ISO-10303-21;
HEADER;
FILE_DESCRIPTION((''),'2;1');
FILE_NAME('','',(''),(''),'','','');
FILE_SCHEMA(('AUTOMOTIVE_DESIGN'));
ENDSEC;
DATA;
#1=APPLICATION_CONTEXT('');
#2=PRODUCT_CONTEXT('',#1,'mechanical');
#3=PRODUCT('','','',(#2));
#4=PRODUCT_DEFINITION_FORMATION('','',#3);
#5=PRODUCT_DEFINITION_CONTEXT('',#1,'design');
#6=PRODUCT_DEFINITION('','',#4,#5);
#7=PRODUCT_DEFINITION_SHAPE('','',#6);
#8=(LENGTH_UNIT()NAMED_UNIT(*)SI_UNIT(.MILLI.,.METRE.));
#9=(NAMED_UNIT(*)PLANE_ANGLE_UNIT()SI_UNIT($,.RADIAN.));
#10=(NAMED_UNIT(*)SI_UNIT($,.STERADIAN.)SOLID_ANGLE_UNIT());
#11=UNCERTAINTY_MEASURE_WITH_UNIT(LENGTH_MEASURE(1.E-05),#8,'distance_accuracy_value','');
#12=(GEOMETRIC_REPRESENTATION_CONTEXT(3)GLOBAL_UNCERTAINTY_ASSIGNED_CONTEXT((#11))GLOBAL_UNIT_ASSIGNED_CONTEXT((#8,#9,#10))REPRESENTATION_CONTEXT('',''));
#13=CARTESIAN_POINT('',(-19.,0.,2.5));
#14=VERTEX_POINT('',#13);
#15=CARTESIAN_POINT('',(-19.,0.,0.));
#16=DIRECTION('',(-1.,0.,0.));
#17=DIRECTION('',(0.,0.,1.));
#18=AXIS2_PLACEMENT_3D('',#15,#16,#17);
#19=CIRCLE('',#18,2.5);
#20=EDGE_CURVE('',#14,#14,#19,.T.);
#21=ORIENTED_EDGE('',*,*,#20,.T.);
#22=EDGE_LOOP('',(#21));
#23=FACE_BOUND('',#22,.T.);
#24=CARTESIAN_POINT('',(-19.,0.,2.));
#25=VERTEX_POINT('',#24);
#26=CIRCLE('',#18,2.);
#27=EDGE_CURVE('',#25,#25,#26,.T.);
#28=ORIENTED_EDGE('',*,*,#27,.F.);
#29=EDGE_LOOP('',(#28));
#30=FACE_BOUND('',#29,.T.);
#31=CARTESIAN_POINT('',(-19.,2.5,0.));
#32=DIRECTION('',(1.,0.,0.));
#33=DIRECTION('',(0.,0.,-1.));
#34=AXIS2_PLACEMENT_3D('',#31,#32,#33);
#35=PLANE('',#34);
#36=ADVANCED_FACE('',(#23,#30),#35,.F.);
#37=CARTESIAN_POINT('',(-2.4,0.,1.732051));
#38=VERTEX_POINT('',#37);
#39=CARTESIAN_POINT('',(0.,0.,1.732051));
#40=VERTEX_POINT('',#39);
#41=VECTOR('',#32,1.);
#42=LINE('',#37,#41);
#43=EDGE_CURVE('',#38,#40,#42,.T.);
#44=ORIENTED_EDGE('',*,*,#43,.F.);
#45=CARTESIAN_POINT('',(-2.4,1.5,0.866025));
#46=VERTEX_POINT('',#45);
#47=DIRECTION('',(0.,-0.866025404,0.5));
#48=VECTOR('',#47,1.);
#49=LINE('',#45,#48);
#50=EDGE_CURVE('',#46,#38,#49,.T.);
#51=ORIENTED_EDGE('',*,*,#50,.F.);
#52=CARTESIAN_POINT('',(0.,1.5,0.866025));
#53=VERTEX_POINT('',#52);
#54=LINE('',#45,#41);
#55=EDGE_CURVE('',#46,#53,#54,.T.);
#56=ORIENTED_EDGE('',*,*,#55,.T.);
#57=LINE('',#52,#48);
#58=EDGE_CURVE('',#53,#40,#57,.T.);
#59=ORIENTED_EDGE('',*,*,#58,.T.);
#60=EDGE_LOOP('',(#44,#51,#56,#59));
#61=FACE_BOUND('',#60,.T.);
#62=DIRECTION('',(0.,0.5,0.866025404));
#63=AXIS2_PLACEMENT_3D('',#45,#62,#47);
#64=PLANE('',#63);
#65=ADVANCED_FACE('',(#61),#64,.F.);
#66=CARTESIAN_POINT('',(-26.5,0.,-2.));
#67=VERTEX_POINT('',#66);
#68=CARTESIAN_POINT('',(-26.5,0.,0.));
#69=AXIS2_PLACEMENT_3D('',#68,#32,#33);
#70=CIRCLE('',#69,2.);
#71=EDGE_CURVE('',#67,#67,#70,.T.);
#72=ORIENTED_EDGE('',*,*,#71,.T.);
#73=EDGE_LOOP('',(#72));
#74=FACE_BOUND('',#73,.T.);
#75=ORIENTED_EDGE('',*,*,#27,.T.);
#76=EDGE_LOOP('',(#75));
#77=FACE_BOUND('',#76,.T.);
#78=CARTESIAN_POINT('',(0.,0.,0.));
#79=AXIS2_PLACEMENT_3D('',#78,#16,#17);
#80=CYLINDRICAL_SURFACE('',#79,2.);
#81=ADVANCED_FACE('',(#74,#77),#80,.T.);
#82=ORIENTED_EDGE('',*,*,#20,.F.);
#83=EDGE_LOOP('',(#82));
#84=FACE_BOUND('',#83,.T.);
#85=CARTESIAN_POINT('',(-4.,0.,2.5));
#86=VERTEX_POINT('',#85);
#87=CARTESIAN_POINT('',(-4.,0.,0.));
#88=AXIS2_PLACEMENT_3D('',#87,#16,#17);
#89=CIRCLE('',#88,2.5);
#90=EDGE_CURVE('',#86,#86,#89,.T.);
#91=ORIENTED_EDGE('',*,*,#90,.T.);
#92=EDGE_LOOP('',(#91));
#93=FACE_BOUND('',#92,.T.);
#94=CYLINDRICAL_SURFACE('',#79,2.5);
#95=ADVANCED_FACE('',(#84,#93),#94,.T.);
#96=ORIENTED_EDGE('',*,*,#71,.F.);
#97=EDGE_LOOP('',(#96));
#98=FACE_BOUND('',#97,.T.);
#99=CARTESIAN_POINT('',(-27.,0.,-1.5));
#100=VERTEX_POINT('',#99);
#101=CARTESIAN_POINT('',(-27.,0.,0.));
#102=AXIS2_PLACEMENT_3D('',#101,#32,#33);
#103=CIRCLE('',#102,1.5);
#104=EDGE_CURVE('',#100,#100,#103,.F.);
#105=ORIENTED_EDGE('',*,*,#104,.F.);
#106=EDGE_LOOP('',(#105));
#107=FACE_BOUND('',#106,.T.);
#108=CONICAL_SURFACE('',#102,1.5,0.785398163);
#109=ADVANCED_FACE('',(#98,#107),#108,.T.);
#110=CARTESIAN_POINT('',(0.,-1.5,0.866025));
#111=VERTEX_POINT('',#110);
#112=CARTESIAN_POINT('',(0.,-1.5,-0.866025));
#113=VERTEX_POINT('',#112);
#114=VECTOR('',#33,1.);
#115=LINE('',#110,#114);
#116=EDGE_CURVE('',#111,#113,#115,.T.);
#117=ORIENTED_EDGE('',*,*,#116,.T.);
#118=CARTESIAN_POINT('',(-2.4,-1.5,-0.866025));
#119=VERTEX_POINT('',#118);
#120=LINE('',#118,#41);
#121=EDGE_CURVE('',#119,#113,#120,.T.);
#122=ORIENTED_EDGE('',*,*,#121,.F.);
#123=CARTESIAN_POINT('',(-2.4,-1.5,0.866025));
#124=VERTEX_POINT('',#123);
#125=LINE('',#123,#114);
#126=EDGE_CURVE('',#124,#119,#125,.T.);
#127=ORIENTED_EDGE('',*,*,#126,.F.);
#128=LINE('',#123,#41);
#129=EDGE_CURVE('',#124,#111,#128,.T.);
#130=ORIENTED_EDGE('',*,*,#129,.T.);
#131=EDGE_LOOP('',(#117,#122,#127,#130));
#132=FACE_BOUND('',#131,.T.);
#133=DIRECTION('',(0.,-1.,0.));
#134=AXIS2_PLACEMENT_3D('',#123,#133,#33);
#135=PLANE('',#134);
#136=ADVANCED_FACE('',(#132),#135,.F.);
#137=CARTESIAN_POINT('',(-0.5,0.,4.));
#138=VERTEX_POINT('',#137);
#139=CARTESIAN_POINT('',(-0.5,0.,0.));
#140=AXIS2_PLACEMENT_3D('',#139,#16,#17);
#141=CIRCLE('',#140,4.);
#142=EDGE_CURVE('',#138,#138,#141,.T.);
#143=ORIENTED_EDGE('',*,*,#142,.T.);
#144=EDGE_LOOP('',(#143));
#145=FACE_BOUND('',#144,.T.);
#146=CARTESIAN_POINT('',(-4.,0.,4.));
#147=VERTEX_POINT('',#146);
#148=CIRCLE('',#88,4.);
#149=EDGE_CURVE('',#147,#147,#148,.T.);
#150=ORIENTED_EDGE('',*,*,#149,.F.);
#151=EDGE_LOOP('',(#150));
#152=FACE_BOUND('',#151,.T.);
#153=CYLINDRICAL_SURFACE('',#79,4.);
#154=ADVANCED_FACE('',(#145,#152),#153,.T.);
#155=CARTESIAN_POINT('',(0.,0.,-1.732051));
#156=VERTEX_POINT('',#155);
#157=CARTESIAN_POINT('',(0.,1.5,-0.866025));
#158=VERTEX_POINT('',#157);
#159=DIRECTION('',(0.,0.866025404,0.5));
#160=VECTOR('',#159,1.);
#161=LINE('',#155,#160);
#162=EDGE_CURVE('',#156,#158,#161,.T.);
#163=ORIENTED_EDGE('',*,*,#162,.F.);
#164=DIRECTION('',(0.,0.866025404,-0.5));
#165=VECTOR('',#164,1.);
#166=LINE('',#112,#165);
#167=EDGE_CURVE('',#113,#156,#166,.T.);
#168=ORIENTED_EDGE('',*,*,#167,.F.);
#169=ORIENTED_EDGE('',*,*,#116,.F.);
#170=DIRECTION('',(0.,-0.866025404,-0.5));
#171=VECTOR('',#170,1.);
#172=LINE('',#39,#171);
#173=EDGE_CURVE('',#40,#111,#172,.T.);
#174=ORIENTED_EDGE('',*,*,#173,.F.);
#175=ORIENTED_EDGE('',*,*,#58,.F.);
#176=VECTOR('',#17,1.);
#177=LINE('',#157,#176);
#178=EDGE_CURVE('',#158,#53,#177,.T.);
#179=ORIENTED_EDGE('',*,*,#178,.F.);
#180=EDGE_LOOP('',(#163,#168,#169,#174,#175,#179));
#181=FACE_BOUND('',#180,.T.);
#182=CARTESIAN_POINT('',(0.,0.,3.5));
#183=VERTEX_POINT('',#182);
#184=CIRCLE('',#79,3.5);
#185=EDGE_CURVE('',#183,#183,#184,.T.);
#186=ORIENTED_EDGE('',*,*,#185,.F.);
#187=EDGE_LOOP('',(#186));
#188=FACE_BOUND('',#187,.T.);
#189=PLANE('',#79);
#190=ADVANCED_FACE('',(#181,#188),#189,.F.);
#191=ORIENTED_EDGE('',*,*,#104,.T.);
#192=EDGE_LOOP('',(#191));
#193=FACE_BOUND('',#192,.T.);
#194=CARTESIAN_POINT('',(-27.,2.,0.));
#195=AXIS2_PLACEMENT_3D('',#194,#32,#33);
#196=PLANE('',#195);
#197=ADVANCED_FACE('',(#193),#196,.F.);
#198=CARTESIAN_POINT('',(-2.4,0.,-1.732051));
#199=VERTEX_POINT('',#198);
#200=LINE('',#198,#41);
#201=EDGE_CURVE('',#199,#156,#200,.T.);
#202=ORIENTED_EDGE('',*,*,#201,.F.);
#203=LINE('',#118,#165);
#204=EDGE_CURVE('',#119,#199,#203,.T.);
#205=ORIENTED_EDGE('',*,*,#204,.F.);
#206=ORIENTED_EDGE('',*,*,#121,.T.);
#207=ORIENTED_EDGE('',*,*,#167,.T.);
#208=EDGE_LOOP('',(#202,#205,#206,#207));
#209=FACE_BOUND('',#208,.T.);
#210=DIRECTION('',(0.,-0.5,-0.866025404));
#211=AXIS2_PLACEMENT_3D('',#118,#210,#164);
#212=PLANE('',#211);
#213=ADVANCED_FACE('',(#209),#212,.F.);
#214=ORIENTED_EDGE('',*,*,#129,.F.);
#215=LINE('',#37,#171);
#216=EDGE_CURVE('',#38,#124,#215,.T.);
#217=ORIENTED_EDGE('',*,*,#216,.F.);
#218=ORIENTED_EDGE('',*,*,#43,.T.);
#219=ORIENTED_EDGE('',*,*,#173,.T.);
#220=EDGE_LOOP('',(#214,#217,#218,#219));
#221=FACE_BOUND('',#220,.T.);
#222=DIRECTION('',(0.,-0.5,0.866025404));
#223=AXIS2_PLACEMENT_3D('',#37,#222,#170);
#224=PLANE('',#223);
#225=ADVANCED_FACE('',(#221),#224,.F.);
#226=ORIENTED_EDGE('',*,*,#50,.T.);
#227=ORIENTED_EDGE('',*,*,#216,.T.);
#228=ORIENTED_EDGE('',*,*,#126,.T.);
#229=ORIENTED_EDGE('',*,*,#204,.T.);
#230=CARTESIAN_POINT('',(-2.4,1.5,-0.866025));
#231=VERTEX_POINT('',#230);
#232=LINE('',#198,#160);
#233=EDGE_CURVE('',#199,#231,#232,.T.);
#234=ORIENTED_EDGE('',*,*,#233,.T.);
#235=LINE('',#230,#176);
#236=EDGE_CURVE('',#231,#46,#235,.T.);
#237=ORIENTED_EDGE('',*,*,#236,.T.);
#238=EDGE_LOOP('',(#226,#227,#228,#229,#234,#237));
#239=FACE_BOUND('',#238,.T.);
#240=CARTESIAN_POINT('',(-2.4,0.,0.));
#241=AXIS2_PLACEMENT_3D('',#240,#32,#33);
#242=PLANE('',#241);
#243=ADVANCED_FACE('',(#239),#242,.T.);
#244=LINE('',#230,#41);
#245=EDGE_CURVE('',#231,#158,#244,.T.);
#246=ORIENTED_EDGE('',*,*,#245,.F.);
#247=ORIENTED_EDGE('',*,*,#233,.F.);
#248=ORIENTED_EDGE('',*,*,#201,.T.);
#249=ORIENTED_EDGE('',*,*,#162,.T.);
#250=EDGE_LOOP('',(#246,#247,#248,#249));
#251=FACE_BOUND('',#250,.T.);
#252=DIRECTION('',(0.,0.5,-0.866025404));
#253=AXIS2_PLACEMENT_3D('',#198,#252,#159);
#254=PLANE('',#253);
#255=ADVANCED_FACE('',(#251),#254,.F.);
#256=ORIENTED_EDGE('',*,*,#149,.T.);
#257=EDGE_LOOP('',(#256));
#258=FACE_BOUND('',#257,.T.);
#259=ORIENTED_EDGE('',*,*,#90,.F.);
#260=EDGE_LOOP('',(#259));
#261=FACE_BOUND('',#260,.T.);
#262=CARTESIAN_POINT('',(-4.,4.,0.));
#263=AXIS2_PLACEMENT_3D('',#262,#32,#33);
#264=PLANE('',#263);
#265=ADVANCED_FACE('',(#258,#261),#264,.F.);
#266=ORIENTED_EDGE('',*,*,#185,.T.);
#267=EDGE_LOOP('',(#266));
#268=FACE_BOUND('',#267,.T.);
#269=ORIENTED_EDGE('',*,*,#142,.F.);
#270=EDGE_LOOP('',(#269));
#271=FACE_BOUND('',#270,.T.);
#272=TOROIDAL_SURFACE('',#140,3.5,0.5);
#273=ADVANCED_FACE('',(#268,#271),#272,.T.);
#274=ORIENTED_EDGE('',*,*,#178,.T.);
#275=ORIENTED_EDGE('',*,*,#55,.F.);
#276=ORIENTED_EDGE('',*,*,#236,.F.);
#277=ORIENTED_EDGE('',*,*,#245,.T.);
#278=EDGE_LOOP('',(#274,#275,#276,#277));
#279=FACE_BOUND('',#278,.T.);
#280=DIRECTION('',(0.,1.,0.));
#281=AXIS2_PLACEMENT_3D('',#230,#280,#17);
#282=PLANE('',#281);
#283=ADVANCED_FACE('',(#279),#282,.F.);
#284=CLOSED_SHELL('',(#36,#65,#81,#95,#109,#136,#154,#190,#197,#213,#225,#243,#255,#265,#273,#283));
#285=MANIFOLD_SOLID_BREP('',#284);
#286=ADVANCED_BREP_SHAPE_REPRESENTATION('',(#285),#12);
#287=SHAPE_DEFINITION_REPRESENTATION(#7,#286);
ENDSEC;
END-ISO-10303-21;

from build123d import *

# Parameters (mm, degrees)
CHAMFER1_SIZE      = 0.5
CUT_EXTRUDE1_DEPTH = 2.4


with BuildPart() as part:
    # Sketch1 → Revolve1 (revolve)
    with BuildSketch(Plane.XY):
        with BuildLine():
            Line((0, 0), (0, 3.5))
            ThreePointArc((0, 3.5), (-0.146446609, 3.853553391), (-0.5, 4))
            Line((-0.5, 4), (-4, 4))
            Line((-4, 4), (-4, 2.5))
            Line((-4, 2.5), (-19, 2.5))
            Line((-19, 2.5), (-19, 2))
            Line((-19, 2), (-27, 2))
            Line((-27, 2), (-27, 0))
            Line((-27, 0), (0, 0))
        make_face()
    revolve(axis=Axis((0, 0, 0), (1, 0, 0)))

    # Chamfer1
    chamfer1_edges = [part.edges().sort_by_distance(p)[0] for p in [
        (-27, -2, 0),
    ]]
    chamfer(chamfer1_edges, length=CHAMFER1_SIZE)

    # Sketch2 → Cut-Extrude1 (cut)
    with BuildSketch(Plane(origin=(0, 0, 0), x_dir=(0, 0, -1), z_dir=(1, 0, 0))):
        Polygon((1.732050808, 0), (0.866025404, 1.5), (-0.866025404, 1.5), (-1.732050808, 0), (-0.866025404, -1.5), (0.866025404, -1.5), align=None)
    extrude(amount=-CUT_EXTRUDE1_DEPTH, mode=Mode.SUBTRACT)


solid = part.part
